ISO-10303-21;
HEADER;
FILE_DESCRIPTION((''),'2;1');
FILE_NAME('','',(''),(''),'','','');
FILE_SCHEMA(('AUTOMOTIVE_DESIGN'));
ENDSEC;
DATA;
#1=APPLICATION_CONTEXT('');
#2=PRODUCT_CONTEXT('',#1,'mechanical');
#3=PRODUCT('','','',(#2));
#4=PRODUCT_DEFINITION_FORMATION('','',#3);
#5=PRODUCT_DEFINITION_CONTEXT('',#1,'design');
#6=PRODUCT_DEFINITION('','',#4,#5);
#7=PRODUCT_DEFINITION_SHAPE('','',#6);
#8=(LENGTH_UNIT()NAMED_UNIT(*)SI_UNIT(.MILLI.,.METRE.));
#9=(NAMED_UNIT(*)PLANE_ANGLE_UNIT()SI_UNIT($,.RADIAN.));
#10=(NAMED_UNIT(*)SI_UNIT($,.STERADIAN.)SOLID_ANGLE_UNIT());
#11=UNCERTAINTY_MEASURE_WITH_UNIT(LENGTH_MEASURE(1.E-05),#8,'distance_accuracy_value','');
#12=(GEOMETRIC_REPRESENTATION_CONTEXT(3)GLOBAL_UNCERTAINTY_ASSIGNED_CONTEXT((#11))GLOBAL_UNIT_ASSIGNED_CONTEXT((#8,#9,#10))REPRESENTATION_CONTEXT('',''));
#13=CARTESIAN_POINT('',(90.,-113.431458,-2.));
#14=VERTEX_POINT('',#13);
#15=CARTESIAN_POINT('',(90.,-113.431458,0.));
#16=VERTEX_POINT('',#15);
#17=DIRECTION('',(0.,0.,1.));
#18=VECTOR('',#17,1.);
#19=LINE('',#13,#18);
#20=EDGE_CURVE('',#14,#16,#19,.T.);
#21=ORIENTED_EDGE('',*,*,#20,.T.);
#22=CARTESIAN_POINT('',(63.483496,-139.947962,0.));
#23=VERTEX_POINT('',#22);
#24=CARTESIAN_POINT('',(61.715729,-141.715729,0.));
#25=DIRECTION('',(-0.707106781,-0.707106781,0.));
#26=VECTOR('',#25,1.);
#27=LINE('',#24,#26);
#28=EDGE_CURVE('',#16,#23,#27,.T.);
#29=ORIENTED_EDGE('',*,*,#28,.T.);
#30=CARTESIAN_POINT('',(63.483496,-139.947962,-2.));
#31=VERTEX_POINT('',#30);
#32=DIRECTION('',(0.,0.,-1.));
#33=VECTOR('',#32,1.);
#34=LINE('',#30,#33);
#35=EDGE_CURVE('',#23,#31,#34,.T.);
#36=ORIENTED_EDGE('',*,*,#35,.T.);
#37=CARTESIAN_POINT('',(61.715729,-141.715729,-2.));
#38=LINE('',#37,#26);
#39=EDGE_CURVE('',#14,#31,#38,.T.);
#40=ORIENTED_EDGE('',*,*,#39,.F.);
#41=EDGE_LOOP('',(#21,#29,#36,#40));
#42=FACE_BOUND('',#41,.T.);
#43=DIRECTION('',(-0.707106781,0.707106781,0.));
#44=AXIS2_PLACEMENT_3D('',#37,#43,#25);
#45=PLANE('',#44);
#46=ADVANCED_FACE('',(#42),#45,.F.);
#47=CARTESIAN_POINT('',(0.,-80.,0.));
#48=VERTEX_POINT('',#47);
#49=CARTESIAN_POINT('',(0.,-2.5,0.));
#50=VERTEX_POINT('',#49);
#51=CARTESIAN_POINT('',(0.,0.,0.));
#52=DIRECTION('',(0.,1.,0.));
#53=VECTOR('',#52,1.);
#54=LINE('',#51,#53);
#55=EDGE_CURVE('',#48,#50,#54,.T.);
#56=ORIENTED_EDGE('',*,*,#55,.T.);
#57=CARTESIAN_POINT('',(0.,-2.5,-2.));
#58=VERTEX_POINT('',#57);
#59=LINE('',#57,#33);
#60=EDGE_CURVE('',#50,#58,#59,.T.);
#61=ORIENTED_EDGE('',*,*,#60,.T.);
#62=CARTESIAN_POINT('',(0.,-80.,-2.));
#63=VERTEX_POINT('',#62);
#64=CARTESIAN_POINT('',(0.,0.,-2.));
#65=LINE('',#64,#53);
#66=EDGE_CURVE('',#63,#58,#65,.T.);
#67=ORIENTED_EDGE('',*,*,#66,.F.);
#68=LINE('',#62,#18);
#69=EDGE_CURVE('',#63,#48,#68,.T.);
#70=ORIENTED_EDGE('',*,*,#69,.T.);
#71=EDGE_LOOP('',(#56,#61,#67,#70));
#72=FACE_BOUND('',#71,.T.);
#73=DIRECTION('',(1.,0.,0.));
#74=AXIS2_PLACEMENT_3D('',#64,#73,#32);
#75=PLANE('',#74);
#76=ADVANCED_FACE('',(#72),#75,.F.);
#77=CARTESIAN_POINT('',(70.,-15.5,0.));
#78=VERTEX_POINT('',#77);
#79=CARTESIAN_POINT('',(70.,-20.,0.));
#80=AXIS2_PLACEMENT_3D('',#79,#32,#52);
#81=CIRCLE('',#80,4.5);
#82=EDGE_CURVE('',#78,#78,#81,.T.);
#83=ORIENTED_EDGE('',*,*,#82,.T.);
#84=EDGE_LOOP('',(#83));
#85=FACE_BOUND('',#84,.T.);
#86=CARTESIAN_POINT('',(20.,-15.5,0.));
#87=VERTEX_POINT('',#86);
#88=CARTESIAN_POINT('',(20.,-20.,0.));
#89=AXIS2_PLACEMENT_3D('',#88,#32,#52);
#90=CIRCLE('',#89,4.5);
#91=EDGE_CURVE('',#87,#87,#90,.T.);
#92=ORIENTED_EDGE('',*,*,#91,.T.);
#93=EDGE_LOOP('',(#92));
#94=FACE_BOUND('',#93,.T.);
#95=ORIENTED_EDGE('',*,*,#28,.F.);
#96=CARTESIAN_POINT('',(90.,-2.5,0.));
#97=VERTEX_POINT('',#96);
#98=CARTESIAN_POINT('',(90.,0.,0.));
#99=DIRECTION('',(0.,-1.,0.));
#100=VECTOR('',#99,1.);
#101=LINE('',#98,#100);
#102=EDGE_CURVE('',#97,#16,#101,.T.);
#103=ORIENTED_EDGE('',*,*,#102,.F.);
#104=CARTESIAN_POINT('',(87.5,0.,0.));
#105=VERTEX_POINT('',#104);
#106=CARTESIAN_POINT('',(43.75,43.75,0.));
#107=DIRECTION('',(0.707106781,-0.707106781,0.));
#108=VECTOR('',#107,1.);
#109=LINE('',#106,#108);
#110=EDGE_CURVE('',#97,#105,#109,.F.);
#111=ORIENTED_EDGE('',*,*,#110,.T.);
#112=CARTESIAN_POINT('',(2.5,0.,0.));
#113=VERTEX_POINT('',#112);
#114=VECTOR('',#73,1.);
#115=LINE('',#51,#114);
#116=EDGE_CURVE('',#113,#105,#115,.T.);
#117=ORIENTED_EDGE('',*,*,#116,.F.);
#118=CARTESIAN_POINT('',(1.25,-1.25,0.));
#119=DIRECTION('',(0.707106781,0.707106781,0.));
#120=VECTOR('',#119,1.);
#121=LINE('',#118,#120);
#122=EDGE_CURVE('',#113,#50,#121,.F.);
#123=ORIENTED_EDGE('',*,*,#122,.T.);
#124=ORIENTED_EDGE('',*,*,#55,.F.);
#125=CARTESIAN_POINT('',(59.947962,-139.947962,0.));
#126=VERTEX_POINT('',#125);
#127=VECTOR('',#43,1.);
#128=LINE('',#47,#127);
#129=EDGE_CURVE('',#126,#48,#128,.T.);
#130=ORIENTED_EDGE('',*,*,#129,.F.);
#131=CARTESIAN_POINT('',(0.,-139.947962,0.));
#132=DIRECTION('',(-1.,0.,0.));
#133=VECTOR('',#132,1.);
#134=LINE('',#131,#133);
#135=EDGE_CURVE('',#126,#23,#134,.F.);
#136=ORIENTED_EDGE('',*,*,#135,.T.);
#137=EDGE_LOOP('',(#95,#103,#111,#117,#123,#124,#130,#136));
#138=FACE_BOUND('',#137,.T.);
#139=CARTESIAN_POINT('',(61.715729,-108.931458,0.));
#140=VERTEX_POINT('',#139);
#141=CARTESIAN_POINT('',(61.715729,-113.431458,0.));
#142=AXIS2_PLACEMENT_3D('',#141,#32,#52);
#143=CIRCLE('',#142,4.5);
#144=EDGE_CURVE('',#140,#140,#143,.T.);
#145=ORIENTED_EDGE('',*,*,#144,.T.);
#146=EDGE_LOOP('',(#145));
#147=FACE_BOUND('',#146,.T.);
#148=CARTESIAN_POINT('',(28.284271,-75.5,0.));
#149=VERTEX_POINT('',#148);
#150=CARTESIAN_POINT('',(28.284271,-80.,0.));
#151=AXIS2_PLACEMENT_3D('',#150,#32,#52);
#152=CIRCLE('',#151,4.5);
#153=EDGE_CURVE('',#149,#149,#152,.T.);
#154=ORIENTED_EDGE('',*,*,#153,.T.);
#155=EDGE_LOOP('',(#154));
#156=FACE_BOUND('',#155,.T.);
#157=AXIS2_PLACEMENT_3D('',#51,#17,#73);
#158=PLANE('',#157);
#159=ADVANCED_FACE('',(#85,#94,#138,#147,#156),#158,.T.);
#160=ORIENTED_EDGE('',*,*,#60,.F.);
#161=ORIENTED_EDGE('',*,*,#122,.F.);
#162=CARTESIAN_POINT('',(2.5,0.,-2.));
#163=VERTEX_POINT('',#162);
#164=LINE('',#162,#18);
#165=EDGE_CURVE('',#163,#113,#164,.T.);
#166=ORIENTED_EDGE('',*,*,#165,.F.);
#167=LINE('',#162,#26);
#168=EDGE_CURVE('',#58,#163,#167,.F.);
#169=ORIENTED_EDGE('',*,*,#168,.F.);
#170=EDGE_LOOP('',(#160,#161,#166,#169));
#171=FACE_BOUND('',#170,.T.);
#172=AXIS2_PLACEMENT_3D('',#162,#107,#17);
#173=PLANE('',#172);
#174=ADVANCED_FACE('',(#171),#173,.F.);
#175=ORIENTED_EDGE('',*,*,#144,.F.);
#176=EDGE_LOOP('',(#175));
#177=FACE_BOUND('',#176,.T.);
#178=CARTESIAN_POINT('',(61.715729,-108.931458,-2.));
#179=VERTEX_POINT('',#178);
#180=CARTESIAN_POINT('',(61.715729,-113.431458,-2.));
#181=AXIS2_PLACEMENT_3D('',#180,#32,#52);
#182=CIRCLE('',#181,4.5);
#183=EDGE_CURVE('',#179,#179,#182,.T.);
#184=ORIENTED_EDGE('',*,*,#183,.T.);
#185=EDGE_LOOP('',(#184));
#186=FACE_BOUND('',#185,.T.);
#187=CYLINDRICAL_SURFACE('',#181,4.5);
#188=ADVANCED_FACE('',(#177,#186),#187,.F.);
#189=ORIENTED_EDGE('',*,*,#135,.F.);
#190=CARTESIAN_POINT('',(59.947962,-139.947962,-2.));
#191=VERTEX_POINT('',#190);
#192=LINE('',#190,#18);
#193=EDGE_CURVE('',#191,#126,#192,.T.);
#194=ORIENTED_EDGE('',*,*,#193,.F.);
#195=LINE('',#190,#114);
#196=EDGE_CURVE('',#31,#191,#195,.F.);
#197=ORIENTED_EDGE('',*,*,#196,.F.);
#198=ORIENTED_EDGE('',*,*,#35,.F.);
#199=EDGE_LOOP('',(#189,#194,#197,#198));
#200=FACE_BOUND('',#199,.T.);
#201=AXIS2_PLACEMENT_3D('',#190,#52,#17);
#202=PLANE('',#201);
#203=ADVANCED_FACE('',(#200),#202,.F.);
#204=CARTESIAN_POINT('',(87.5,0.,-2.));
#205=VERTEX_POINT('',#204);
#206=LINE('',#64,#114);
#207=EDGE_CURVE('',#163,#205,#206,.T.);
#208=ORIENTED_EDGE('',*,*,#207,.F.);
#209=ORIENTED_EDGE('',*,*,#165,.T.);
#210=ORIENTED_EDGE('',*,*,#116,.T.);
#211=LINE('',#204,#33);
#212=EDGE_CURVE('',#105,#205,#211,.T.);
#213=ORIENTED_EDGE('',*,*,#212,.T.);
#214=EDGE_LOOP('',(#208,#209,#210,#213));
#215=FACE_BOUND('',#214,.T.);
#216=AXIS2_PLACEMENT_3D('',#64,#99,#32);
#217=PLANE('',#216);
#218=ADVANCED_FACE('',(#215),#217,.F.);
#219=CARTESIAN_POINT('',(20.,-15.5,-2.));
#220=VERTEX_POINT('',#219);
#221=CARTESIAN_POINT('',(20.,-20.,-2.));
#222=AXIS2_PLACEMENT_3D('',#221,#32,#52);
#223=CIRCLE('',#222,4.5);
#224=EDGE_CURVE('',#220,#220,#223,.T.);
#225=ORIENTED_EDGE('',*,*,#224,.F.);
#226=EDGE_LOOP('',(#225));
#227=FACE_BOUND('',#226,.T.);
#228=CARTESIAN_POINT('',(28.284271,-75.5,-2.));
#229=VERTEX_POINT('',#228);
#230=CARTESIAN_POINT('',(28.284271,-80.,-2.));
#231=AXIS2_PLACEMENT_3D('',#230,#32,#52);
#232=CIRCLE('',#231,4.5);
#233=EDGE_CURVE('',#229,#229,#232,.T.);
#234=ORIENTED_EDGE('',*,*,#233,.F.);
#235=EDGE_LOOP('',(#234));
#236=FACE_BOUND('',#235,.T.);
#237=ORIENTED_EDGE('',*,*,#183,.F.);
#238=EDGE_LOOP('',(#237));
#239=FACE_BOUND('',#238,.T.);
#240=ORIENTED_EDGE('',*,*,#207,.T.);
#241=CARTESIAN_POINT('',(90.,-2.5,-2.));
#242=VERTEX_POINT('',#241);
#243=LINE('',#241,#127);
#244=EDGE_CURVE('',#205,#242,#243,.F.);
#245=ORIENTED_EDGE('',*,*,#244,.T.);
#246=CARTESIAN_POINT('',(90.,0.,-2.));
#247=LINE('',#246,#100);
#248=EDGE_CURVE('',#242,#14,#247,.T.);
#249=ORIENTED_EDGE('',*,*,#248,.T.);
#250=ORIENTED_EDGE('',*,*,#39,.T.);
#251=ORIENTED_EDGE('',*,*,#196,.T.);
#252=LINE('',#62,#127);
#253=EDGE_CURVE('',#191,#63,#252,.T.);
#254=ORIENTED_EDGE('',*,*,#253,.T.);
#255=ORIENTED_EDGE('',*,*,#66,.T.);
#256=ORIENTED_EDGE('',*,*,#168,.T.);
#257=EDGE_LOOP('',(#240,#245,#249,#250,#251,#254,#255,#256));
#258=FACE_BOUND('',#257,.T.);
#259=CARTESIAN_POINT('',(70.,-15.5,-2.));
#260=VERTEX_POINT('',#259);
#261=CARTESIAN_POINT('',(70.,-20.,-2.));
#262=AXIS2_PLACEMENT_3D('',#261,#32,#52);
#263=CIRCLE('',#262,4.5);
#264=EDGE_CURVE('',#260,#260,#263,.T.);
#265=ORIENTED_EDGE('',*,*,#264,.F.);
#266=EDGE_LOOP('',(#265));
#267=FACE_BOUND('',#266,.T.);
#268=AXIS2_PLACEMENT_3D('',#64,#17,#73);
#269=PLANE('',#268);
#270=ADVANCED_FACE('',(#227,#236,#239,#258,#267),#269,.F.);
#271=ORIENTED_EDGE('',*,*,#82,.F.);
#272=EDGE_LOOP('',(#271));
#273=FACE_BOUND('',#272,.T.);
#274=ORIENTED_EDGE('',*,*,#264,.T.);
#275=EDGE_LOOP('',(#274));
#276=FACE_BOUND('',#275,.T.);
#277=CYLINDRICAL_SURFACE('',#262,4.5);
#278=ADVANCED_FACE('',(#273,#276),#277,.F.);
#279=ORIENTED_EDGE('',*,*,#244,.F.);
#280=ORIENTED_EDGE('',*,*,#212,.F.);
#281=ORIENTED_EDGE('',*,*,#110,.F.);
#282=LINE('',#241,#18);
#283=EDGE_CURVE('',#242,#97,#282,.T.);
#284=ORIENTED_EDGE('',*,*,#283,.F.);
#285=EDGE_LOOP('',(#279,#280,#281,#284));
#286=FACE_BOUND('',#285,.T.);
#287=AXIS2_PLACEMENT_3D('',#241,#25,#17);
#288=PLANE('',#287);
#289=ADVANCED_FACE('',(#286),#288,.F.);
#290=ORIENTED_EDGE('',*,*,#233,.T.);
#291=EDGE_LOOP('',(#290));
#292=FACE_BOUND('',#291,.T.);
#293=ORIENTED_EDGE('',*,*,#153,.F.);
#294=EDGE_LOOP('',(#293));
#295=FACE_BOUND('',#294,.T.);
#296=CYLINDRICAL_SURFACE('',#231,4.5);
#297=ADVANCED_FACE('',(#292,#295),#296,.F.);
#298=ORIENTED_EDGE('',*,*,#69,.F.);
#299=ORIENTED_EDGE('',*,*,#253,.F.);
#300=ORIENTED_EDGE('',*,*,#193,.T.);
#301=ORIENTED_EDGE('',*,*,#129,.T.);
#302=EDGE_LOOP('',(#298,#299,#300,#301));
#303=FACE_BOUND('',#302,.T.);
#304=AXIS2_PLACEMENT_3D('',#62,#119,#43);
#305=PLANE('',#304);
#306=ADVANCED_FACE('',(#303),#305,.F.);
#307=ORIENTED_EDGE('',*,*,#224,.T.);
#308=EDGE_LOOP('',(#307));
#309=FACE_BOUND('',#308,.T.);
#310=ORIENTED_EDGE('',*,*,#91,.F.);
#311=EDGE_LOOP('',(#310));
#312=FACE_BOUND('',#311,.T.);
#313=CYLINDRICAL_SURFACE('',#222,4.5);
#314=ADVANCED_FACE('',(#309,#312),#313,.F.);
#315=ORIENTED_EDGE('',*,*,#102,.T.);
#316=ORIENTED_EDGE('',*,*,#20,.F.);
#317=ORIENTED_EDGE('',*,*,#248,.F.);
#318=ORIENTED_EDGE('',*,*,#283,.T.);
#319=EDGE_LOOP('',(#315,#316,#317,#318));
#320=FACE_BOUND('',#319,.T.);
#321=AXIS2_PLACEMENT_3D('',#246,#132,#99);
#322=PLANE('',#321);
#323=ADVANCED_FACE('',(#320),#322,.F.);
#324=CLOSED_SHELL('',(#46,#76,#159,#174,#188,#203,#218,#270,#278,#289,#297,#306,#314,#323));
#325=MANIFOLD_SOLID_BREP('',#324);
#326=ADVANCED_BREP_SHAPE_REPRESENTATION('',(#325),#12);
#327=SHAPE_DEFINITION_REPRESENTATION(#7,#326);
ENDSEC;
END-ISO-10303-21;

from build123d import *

# Parameters (mm, degrees)
EXTRUDE_1_DEPTH   = 2
HOLE_WIZARD_M81_D = 9
CHAMFER_1_SIZE    = 2.5


with BuildPart() as part:
    # Эскиз3 → Бобышка-Вытянуть1 (new body)
    with BuildSketch(Plane(origin=(0, 0, 0), x_dir=(1, 0, 0), z_dir=(0, 0, -1))):
        Polygon((0, 0), (90, 0), (90, 113.431457505), (61.715728753, 141.715728753), (0, 80), align=None)
    extrude(amount=EXTRUDE_1_DEPTH)

    # Отверстие с зазором M81 (through all)
    with Locations(Plane(origin=(0, 0, -2), x_dir=(1, 0, 0), z_dir=(0, 0, -1))):
        with Locations((20, 20), (70, 20), (28.284271247, 80), (61.715728753, 113.431457505)):
            Hole(HOLE_WIZARD_M81_D / 2)

    # Фаска1
    chamfer_1_edges = [part.edges().sort_by_distance(p)[0] for p in [
        (61.715728753, -141.715728753, -1),
        (90, 0, -1),
        (0, 0, -1),
    ]]
    chamfer(chamfer_1_edges, length=CHAMFER_1_SIZE)


solid = part.part
